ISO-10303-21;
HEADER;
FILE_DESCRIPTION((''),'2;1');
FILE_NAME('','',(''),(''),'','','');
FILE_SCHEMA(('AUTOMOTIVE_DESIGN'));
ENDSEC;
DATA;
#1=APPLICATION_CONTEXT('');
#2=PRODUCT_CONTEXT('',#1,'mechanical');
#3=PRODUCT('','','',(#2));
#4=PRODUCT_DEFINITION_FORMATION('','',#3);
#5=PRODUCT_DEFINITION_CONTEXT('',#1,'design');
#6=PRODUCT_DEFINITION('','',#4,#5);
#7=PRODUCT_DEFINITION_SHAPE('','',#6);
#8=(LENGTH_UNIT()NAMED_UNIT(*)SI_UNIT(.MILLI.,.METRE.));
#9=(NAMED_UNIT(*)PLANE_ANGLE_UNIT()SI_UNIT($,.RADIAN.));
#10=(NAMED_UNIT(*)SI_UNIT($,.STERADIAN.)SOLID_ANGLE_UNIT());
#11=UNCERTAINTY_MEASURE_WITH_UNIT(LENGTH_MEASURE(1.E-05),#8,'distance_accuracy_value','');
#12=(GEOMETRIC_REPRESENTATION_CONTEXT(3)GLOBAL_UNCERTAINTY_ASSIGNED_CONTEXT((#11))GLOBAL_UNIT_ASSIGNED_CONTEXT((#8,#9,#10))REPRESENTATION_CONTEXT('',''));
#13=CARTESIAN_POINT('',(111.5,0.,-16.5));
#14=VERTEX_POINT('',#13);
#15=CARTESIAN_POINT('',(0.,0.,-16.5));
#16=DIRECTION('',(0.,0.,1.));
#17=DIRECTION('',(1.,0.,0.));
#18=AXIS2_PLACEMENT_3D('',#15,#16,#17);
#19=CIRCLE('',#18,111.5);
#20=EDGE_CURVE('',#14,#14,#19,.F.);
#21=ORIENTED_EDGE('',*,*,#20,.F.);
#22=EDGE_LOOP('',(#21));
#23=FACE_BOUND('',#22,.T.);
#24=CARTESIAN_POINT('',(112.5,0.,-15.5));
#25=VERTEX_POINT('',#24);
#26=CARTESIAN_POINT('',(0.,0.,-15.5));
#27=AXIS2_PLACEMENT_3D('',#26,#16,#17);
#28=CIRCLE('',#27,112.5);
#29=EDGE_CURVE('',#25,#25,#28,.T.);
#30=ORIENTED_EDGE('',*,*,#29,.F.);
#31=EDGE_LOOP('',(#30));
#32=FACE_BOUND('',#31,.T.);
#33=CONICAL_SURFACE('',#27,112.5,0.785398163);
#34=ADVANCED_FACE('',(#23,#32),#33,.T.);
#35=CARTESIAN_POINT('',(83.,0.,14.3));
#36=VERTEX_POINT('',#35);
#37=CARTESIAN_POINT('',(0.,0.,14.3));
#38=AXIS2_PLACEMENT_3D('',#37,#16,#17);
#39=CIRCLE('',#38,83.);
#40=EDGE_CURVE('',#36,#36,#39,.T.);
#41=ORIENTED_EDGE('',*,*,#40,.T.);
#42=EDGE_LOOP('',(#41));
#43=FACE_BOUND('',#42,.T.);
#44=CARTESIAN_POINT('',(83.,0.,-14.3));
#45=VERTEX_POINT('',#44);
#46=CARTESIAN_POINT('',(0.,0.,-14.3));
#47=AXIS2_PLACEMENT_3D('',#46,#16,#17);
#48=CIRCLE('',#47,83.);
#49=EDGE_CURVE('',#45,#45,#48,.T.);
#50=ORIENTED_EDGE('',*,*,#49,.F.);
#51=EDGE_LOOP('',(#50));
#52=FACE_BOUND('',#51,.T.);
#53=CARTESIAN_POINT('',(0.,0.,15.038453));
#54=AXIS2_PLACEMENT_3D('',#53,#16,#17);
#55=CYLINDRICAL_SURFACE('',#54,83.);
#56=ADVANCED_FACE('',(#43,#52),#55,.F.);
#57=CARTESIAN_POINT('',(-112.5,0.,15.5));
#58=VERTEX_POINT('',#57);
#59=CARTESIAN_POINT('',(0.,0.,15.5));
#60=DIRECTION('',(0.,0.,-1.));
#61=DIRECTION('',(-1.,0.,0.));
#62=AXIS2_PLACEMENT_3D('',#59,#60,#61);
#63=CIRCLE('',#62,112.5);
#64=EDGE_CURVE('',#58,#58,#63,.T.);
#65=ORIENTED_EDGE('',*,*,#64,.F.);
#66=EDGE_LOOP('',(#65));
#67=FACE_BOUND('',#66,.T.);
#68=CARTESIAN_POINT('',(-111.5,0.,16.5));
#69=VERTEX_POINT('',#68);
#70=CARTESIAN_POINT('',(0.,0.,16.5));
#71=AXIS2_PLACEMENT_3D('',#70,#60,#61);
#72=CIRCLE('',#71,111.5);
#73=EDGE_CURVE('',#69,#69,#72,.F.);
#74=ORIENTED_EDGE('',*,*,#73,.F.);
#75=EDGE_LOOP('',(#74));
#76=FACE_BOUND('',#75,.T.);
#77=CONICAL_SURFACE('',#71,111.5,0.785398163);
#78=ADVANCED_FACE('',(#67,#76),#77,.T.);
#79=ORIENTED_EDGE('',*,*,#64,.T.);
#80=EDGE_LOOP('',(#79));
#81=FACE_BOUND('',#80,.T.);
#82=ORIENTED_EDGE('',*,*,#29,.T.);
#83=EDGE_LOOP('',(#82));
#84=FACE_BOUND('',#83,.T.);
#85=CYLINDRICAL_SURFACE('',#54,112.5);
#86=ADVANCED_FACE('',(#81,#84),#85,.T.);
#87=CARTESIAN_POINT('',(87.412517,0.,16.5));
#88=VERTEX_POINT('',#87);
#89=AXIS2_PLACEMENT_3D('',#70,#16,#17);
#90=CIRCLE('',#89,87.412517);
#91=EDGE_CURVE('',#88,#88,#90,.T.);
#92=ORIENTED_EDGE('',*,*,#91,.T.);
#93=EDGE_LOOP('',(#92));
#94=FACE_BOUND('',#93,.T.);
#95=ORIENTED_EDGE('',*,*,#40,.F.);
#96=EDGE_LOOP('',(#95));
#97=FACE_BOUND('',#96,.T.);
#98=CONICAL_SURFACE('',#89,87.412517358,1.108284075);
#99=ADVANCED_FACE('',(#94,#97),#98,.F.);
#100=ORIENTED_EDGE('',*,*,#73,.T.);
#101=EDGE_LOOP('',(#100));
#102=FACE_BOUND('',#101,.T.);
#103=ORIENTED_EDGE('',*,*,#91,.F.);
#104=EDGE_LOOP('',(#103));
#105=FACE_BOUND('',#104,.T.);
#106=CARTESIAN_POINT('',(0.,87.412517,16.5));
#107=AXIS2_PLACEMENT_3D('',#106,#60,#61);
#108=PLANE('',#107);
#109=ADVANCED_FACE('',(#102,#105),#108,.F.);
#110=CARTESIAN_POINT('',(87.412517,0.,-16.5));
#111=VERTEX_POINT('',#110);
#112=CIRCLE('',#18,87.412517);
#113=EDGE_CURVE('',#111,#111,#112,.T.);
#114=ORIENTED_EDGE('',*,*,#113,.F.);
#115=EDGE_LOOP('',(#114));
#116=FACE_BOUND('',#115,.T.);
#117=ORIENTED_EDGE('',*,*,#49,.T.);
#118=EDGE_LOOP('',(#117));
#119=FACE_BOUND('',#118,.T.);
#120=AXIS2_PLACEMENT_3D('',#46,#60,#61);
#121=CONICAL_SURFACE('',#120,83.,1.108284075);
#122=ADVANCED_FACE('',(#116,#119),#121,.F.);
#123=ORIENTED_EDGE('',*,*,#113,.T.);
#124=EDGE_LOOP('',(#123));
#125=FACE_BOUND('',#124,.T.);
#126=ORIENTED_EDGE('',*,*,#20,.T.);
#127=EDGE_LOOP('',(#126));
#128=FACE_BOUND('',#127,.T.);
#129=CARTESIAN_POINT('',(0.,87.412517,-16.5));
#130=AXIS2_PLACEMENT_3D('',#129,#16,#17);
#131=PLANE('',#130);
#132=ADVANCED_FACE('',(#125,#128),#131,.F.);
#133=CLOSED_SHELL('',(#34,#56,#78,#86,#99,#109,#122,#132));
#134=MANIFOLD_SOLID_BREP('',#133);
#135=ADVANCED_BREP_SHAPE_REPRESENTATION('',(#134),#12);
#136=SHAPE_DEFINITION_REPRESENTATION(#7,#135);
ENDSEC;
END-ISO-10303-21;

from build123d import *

# Parameters (mm, degrees)
CHAMFER_1_SIZE = 1


with BuildPart() as part:
    # 草图1 → 旋转1 (revolve)
    with BuildSketch(Plane(origin=(0, 0, 0), x_dir=(0, 0, -1), z_dir=(1, 0, 0)), mode=Mode.PRIVATE) as revolve_1_sk:
        Polygon((14.3, 83), (-14.3, 83), (-16.5, 87.412517358), (-16.5, 112.5), (16.5, 112.5), (16.5, 87.412517358), align=None)
    revolve(revolve_1_sk.sketch.rotate(Axis((0, 0, 15.038452749), (0, 0, -1)), 90), axis=Axis((0, 0, 15.038452749), (0, 0, -1)))

    # 倒角1
    chamfer_1_edges = [part.edges().sort_by_distance(p)[0] for p in [
        (-112.5, 0, -16.5),
        (-112.5, 0, 16.5),
    ]]
    chamfer(chamfer_1_edges, length=CHAMFER_1_SIZE)


solid = part.part
